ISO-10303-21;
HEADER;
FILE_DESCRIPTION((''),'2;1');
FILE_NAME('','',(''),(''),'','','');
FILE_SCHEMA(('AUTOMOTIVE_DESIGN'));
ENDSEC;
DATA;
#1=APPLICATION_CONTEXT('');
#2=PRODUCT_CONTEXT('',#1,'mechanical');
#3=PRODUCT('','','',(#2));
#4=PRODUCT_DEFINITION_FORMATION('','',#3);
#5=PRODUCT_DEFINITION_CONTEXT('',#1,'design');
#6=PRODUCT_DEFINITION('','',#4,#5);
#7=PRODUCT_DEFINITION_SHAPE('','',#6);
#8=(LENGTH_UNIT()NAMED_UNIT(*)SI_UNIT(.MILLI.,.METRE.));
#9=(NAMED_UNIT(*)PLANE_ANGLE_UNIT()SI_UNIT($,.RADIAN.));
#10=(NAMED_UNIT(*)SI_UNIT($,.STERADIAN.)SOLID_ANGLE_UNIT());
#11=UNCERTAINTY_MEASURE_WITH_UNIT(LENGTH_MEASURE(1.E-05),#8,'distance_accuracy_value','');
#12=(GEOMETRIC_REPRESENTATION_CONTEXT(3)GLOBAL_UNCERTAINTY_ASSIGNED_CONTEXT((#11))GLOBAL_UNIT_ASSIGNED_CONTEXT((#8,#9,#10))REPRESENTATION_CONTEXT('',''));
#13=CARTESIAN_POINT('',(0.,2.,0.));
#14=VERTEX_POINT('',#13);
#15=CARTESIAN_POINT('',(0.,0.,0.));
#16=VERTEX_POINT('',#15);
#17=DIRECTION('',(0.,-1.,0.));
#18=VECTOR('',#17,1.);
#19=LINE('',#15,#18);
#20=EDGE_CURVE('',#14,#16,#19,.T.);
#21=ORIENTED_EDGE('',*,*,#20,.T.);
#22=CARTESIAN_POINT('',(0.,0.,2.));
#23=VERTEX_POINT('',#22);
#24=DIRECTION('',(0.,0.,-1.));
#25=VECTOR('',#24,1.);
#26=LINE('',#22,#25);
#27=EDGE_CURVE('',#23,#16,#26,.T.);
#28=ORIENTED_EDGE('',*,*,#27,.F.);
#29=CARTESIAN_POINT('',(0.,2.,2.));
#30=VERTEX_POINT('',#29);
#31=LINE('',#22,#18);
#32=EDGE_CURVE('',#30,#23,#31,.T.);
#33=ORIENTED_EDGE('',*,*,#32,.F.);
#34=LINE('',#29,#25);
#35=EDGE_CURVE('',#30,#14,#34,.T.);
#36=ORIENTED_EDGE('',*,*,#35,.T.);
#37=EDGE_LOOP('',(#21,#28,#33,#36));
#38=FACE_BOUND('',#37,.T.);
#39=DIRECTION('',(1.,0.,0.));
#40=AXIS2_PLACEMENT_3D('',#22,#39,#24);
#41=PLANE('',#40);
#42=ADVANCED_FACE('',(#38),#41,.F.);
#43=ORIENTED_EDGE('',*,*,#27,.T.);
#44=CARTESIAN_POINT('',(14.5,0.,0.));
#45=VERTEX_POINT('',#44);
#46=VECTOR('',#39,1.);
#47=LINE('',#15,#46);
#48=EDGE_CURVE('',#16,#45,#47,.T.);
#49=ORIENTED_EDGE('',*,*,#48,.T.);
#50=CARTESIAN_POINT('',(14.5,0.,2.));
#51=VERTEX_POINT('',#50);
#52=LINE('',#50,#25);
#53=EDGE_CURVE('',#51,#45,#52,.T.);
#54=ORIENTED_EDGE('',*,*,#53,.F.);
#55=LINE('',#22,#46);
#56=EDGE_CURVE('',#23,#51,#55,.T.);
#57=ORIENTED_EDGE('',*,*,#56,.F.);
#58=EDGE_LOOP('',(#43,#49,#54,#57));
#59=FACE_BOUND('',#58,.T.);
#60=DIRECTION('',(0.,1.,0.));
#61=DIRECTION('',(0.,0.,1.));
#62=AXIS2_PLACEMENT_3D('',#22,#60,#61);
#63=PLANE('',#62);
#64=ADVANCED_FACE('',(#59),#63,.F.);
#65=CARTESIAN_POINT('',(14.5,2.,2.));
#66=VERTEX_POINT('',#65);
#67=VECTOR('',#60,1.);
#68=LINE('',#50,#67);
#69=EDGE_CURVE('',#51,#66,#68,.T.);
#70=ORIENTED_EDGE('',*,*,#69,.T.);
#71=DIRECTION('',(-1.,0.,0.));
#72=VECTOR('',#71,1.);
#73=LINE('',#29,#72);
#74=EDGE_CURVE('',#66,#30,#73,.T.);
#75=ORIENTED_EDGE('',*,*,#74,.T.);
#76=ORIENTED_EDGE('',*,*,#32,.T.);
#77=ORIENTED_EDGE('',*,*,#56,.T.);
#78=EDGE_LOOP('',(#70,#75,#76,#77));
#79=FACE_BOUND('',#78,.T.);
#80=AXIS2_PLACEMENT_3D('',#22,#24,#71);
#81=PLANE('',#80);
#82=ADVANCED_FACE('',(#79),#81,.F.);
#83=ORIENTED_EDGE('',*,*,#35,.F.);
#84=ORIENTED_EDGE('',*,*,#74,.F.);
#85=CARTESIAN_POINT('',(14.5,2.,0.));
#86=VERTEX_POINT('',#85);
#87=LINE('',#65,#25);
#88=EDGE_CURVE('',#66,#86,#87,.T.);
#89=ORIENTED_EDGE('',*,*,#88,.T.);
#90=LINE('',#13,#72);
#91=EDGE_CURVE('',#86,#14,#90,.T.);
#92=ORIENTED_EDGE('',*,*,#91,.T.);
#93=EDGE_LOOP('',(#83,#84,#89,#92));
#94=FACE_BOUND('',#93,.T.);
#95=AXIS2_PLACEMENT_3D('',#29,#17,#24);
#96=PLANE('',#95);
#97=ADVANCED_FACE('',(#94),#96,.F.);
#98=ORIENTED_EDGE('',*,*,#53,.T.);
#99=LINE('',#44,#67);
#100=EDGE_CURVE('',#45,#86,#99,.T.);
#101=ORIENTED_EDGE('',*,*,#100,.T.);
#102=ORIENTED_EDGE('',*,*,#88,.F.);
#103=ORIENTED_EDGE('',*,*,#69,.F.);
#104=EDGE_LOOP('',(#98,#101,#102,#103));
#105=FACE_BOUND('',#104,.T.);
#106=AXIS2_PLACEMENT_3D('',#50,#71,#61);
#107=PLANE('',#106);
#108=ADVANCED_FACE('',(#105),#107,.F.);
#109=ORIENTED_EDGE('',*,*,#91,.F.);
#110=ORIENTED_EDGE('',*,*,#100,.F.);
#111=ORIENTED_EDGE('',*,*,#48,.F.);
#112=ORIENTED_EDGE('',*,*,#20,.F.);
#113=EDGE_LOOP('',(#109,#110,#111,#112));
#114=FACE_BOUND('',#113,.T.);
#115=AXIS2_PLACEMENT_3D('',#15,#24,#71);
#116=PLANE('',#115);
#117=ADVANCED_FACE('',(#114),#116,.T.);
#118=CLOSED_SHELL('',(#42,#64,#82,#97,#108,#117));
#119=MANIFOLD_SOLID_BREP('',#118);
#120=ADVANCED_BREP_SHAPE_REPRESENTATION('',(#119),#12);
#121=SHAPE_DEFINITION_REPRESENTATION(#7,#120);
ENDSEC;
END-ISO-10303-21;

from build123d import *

# Parameters (mm, degrees)
SKETCH1_W           = 14.5
SKETCH1_H           = 2
BOSS_EXTRUDE1_DEPTH = 2


with BuildPart() as part:
    # Sketch1 → Boss-Extrude1 (new body)
    with BuildSketch(Plane.XY):
        with Locations((7.25, 1)):
            Rectangle(SKETCH1_W, SKETCH1_H)
    extrude(amount=BOSS_EXTRUDE1_DEPTH)


solid = part.part
